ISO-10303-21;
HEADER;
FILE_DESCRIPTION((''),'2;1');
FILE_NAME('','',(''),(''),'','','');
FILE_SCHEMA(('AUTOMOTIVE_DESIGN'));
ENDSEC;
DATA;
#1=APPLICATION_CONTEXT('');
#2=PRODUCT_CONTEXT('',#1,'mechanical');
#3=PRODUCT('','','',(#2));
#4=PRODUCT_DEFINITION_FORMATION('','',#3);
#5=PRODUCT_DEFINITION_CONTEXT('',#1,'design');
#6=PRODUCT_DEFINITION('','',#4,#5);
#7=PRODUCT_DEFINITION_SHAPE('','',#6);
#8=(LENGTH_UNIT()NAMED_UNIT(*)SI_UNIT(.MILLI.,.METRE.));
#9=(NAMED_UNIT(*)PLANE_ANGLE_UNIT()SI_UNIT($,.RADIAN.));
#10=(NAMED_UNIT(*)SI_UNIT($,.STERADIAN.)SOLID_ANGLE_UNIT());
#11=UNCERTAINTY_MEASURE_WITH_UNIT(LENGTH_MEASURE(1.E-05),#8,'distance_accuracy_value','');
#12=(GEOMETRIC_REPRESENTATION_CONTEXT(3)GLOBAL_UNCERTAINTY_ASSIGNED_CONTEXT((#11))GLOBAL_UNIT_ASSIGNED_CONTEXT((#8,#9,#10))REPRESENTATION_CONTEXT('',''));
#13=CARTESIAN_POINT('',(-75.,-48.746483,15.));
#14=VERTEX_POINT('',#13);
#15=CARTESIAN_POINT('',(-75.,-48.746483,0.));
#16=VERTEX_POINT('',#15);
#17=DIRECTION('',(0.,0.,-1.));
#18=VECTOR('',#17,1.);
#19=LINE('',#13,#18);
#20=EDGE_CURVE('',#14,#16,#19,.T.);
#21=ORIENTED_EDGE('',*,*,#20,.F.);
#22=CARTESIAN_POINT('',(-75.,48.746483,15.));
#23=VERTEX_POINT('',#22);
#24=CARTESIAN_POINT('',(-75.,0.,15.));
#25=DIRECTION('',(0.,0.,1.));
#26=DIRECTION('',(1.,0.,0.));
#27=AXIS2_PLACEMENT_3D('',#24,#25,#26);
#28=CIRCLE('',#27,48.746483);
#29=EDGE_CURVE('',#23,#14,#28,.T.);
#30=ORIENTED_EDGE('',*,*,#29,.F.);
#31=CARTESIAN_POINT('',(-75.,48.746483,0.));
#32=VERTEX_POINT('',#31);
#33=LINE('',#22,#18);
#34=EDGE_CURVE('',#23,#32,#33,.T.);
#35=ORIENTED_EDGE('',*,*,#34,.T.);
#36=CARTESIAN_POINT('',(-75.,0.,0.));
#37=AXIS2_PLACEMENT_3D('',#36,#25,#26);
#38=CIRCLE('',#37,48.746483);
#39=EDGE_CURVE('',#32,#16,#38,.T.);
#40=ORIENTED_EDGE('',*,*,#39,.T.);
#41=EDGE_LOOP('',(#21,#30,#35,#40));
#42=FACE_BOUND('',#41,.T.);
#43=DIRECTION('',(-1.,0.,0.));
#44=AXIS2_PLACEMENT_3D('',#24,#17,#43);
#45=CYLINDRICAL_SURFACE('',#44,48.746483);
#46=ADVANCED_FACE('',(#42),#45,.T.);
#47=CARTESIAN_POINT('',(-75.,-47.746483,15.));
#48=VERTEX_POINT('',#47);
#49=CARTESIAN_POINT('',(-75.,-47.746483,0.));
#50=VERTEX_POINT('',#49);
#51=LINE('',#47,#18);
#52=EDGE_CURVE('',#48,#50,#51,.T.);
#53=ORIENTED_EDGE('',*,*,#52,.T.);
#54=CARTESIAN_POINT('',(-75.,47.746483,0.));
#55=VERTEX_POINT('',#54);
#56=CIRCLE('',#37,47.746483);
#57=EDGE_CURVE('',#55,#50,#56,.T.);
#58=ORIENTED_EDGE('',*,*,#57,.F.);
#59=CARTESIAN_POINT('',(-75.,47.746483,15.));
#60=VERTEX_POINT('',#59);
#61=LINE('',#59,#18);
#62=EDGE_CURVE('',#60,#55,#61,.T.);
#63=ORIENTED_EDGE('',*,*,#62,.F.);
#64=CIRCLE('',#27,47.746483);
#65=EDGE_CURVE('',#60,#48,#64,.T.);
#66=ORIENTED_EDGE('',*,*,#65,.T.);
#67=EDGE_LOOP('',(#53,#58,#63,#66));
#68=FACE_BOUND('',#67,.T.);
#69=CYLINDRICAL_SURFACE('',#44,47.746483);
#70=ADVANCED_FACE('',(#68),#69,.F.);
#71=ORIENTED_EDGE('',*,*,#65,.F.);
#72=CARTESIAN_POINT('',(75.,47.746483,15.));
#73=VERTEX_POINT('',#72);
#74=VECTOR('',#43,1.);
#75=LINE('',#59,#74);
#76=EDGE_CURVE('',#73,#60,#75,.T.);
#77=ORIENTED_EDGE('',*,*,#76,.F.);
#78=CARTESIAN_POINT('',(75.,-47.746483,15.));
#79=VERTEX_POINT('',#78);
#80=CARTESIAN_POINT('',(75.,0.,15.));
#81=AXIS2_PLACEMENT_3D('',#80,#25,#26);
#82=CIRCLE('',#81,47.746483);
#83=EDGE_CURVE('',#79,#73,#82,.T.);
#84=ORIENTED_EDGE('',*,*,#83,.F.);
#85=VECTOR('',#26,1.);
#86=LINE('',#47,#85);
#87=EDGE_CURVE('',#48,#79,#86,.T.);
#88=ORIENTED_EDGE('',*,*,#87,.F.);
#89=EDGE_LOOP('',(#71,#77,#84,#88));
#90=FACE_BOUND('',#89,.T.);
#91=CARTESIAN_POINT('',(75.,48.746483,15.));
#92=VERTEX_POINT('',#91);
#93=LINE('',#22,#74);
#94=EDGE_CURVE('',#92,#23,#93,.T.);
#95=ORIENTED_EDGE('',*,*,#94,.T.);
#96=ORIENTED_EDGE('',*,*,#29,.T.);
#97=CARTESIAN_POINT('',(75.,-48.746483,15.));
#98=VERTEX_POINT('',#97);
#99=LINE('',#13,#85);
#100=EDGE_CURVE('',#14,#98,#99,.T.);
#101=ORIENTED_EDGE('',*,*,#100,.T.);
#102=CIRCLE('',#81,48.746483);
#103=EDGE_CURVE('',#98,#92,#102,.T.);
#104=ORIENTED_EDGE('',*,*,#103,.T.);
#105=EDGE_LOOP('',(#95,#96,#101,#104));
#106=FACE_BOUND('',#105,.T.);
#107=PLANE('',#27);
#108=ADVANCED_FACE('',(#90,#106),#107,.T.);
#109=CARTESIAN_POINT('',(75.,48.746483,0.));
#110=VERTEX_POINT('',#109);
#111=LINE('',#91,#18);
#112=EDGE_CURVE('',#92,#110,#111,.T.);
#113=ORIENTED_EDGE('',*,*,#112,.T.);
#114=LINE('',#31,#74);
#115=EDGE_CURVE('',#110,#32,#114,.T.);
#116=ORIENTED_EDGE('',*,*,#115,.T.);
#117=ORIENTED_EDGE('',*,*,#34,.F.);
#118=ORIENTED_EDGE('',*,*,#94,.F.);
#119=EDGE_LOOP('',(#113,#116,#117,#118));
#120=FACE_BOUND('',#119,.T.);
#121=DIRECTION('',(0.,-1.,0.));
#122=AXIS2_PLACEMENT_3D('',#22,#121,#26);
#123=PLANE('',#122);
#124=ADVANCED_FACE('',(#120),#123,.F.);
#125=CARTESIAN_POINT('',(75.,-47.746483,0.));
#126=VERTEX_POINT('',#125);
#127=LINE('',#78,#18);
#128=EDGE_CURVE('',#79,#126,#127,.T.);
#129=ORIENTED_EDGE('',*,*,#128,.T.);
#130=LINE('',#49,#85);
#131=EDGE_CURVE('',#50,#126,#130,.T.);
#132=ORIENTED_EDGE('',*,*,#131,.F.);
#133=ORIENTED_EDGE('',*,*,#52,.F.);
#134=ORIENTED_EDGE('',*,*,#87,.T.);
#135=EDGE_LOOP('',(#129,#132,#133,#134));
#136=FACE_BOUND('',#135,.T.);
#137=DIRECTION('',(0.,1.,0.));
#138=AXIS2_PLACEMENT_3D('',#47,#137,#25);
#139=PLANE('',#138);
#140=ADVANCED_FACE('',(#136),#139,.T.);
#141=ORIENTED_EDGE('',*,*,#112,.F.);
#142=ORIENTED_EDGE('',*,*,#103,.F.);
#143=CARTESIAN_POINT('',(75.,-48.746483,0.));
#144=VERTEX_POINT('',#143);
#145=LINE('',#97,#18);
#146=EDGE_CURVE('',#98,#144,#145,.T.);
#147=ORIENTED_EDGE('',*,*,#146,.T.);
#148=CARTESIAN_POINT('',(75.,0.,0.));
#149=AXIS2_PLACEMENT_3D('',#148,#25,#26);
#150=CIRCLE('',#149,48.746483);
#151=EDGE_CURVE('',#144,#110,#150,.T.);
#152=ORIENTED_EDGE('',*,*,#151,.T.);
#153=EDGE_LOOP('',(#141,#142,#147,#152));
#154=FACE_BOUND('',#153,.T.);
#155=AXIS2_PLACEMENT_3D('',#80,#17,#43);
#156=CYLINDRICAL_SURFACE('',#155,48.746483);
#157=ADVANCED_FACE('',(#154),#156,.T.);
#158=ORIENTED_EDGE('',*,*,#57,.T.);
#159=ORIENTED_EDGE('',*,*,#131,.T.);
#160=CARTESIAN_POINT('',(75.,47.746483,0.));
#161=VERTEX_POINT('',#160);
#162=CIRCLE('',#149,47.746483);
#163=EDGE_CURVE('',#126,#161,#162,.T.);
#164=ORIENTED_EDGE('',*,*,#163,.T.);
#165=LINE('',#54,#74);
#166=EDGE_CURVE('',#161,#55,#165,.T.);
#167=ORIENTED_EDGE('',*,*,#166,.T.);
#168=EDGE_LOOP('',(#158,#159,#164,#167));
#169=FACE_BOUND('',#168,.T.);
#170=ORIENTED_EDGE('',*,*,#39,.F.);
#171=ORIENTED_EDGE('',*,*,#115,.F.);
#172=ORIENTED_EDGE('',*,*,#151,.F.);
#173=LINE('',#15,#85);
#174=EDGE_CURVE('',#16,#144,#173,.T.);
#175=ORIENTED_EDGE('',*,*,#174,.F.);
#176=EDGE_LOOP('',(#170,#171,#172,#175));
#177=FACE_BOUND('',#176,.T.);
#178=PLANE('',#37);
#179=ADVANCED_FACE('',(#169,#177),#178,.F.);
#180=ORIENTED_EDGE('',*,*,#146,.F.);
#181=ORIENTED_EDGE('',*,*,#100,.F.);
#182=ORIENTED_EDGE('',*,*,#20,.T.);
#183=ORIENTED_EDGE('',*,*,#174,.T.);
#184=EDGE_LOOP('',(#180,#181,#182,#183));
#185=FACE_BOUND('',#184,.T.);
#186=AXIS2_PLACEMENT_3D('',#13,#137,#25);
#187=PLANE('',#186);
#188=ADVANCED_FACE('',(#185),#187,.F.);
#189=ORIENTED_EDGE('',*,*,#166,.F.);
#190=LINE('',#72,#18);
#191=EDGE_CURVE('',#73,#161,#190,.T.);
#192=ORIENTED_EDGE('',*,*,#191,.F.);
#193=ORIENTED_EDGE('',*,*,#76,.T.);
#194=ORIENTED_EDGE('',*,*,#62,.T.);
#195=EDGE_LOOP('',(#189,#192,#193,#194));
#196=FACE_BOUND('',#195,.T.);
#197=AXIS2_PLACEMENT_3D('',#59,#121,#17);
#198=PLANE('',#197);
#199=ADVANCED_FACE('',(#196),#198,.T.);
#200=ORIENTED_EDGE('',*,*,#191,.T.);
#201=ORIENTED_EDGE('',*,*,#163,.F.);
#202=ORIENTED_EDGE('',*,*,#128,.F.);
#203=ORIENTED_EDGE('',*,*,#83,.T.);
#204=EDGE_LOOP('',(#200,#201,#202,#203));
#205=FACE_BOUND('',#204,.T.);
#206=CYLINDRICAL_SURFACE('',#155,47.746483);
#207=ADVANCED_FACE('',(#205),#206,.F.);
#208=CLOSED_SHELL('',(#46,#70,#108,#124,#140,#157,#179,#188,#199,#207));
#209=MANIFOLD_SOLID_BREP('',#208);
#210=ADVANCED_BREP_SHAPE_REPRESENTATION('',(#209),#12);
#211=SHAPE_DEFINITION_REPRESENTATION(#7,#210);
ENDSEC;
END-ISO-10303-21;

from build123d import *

# Parameters (mm, degrees)
BOSS_EXTRUDE1_DEPTH = 15


with BuildPart() as part:
    # Sketch1 → Boss-Extrude1 (new body)
    with BuildSketch(Plane.XY):
        with BuildLine():
            Line((-75, 48.746482928), (75, 48.746482928))
            ThreePointArc((75, 48.746482928), (123.746482928, 0), (75, -48.746482928))
            Line((75, -48.746482928), (-75, -48.746482928))
            ThreePointArc((-75, -48.746482928), (-123.746482928, 0), (-75, 48.746482928))
        make_face()
        with BuildLine():
            Line((-75, 47.746482928), (75, 47.746482928))
            ThreePointArc((75, 47.746482928), (122.746482928, 0), (75, -47.746482928))
            Line((75, -47.746482928), (-75, -47.746482928))
            ThreePointArc((-75, -47.746482928), (-122.746482928, 0), (-75, 47.746482928))
        make_face(mode=Mode.SUBTRACT)
    extrude(amount=BOSS_EXTRUDE1_DEPTH)


solid = part.part
